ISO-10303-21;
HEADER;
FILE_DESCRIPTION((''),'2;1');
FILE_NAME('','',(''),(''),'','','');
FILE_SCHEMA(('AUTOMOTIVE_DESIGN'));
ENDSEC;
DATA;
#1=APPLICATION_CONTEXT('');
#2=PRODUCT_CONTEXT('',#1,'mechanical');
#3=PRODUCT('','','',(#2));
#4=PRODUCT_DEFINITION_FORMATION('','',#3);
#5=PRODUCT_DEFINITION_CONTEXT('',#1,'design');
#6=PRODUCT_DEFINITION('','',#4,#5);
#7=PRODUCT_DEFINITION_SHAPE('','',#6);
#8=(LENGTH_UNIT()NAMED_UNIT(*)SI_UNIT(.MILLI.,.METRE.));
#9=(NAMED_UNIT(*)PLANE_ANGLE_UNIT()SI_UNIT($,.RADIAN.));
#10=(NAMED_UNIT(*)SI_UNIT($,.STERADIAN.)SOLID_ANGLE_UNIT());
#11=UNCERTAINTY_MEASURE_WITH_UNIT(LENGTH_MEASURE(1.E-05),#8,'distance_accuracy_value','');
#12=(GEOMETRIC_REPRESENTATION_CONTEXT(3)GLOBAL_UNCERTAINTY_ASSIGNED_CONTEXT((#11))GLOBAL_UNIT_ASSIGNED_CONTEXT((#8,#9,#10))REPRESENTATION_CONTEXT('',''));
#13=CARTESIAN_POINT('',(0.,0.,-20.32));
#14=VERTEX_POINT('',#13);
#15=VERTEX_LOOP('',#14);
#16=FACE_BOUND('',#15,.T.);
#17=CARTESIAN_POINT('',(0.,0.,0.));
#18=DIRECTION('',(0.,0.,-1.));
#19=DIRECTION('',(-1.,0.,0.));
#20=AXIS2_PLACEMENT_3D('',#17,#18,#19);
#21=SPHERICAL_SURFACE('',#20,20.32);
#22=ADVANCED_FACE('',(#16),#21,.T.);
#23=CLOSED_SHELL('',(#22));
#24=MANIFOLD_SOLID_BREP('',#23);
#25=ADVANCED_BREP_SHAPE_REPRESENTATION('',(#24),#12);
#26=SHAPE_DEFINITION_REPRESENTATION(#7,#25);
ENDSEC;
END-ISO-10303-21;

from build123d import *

# Parameters (mm, degrees)
F2_R          = 1.27
F3_DEPTH      = 25.4
F3_DEPTH_BACK = 25.4


with BuildPart() as f1:
    # F0 (on Front) → F1 (revolve)
    with BuildSketch(Plane.XZ):
        with BuildLine():
            Line((0, -20.32), (0, 20.32))
            ThreePointArc((0, 20.32), (-20.32, 0), (0, -20.32))
        make_face()
    revolve(axis=Axis((0, 0, 0), (0, 0, -1)))

    # F2 (on Front) → F3 (cut, two sides)
    with BuildSketch(Plane.XZ) as f3_sk:
        with Locations((0, 43.552317)):
            Circle(F2_R)
    extrude(amount=F3_DEPTH, mode=Mode.SUBTRACT)
    extrude(f3_sk.sketch, amount=-F3_DEPTH_BACK, mode=Mode.SUBTRACT)


solid = f1.part
